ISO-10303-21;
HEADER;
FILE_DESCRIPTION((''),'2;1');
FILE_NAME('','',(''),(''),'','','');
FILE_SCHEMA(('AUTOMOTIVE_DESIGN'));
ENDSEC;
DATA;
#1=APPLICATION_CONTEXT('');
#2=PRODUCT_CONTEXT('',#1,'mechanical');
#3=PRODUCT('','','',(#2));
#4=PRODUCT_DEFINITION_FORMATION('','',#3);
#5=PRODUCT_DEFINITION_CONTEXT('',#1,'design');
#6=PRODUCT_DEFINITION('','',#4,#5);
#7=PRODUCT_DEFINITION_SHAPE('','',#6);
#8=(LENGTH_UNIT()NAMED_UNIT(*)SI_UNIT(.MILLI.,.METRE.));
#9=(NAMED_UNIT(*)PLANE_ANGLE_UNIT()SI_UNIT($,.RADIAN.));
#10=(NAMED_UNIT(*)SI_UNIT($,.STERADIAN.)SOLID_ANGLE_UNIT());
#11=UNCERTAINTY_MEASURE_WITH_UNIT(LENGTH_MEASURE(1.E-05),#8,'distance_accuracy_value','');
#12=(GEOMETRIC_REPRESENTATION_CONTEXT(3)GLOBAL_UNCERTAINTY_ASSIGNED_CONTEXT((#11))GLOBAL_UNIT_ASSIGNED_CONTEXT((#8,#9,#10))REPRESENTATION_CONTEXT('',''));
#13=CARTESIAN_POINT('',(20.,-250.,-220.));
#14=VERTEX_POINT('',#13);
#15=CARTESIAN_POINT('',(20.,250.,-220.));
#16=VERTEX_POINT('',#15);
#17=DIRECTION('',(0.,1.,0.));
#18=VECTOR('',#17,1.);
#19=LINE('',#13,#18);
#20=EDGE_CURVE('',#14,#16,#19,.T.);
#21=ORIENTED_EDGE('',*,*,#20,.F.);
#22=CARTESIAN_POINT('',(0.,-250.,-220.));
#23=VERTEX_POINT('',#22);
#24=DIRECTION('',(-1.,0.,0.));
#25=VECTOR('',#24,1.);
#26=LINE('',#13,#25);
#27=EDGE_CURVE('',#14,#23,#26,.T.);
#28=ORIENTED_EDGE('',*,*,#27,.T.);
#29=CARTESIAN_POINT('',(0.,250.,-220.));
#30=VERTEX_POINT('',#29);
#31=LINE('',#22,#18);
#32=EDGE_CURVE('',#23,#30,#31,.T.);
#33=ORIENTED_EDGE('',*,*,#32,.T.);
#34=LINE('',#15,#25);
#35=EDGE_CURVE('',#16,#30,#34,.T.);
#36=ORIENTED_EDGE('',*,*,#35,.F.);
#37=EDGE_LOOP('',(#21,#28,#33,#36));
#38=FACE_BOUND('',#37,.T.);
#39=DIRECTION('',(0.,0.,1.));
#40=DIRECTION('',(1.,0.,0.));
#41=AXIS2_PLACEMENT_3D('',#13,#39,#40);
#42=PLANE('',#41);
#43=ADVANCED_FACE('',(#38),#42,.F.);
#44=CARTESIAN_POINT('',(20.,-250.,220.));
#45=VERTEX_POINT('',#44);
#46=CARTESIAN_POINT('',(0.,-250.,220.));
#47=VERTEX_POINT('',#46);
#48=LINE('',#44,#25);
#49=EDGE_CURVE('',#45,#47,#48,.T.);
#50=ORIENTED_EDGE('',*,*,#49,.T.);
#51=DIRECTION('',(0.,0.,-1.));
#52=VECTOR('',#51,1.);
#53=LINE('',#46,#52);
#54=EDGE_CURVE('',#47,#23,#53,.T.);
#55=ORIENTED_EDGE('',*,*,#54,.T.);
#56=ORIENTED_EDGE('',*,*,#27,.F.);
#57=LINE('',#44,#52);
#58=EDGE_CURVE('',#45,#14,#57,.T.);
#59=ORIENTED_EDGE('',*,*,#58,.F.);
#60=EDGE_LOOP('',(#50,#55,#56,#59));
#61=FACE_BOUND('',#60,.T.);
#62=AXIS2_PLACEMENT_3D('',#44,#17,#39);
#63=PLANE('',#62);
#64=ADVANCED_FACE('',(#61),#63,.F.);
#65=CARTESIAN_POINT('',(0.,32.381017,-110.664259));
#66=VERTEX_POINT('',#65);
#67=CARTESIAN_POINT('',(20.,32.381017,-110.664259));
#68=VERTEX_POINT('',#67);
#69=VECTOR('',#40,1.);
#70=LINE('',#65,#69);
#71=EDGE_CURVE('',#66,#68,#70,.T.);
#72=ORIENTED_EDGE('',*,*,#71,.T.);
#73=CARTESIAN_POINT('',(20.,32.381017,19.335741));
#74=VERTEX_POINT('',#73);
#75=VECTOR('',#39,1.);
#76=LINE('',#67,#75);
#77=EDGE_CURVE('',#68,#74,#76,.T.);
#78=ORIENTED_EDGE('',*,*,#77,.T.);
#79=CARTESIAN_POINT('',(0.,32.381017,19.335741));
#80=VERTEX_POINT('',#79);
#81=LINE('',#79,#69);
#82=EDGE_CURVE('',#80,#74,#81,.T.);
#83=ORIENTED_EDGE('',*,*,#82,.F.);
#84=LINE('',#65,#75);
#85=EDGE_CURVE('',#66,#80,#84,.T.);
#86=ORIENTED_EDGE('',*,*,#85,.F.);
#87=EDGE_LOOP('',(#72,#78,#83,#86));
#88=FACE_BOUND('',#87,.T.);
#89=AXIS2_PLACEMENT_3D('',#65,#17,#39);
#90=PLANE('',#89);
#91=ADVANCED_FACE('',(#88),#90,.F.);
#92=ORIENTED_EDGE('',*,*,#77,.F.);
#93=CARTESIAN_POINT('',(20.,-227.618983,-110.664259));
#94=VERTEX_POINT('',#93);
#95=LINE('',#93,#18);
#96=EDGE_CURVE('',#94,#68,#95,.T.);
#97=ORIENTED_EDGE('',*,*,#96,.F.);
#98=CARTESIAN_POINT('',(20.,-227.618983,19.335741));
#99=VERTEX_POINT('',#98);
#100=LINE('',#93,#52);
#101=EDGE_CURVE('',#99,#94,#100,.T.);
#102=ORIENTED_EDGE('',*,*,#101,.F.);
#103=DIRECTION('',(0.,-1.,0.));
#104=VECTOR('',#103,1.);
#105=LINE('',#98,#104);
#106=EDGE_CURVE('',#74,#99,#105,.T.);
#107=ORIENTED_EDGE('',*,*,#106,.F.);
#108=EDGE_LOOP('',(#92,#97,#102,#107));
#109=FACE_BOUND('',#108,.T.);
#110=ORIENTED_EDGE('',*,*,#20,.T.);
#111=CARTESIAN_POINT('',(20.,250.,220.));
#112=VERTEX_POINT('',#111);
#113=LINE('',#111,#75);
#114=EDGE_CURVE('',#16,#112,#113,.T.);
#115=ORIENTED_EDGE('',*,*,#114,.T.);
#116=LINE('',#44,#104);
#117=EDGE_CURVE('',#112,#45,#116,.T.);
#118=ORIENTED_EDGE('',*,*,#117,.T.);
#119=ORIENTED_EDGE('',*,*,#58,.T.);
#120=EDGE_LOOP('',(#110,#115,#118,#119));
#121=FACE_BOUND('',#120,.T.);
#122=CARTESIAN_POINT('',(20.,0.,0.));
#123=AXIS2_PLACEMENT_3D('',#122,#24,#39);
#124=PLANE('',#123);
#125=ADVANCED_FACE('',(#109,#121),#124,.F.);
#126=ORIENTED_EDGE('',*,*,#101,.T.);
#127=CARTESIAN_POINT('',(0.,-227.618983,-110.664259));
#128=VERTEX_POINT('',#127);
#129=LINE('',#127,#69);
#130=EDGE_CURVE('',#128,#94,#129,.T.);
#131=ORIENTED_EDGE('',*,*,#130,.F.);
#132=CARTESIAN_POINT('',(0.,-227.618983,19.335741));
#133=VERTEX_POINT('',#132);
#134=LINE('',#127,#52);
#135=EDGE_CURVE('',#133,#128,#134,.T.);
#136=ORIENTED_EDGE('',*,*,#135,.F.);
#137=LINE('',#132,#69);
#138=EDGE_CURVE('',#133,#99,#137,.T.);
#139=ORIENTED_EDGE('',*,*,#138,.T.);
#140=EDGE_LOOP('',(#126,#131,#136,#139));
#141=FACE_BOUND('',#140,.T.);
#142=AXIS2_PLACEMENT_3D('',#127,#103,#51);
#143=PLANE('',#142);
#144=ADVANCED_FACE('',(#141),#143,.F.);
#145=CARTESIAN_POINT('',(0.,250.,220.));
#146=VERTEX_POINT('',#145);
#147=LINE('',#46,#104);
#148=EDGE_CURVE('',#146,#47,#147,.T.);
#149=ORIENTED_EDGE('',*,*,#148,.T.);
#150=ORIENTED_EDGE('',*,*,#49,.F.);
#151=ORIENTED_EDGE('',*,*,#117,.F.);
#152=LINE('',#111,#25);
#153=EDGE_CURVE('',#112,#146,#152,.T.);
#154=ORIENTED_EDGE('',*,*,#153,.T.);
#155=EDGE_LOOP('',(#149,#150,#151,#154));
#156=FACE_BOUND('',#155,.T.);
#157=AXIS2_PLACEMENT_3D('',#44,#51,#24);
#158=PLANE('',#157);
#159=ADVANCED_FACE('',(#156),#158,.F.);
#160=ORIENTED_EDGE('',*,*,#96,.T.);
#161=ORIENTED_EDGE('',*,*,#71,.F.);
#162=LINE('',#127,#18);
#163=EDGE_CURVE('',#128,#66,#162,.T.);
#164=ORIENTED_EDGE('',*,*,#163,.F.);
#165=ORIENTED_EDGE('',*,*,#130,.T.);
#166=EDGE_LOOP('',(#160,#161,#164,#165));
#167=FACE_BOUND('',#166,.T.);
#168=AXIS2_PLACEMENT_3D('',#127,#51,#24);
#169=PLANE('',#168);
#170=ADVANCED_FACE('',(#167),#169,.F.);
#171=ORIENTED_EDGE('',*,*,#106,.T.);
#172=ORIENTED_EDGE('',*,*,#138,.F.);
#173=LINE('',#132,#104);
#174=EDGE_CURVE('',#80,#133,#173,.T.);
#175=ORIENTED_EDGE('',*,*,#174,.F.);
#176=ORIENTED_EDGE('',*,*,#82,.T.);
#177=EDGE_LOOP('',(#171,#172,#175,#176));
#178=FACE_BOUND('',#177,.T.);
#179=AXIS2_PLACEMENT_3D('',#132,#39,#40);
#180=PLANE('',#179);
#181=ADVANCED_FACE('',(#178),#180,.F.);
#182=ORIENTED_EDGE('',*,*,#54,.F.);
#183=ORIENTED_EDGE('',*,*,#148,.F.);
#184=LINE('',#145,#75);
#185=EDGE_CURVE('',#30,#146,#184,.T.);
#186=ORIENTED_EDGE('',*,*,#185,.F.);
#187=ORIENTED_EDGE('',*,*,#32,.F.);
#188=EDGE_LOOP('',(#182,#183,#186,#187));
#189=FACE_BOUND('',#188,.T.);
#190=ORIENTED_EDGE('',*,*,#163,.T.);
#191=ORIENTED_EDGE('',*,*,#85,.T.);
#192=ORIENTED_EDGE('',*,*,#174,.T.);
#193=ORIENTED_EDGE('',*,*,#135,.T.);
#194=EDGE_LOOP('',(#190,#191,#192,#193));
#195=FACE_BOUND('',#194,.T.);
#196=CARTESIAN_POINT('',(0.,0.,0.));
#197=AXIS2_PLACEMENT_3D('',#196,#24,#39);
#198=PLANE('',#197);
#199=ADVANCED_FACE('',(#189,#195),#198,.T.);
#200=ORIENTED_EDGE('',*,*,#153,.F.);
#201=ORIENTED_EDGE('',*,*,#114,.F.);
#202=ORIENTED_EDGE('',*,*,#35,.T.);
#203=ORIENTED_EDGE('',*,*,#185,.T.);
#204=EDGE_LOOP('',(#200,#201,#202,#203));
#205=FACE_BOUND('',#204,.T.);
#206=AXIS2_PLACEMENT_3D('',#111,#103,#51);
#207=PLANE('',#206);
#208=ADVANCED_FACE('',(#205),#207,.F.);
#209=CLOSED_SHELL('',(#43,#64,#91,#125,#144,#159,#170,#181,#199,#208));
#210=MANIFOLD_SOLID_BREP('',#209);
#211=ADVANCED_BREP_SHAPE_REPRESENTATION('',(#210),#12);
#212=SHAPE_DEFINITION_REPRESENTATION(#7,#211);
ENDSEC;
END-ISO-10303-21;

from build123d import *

# Parameters (mm, degrees)
ESQUISSE1_W             = 440
ESQUISSE1_H             = 500
BOSS_EXTRU_1_DEPTH      = 20
ESQUISSE3_W             = 130
ESQUISSE3_H             = 260
ENL_V_MAT_EXTRU_1_DEPTH = 20


with BuildPart() as part:
    # Esquisse1 → Boss.-Extru.1 (new body)
    with BuildSketch(Plane(origin=(0, 0, 0), x_dir=(0, 0, -1), z_dir=(1, 0, 0))):
        Rectangle(ESQUISSE1_W, ESQUISSE1_H)
    extrude(amount=BOSS_EXTRU_1_DEPTH)

    # Esquisse3 → Enlèv. mat.-Extru.1 (cut)
    with BuildSketch(Plane(origin=(20, 0, 0), x_dir=(0, 0, -1), z_dir=(1, 0, 0))):
        with Locations((45.664259244, -97.618983289)):
            Rectangle(ESQUISSE3_W, ESQUISSE3_H)
    extrude(amount=-ENL_V_MAT_EXTRU_1_DEPTH, mode=Mode.SUBTRACT)


solid = part.part
